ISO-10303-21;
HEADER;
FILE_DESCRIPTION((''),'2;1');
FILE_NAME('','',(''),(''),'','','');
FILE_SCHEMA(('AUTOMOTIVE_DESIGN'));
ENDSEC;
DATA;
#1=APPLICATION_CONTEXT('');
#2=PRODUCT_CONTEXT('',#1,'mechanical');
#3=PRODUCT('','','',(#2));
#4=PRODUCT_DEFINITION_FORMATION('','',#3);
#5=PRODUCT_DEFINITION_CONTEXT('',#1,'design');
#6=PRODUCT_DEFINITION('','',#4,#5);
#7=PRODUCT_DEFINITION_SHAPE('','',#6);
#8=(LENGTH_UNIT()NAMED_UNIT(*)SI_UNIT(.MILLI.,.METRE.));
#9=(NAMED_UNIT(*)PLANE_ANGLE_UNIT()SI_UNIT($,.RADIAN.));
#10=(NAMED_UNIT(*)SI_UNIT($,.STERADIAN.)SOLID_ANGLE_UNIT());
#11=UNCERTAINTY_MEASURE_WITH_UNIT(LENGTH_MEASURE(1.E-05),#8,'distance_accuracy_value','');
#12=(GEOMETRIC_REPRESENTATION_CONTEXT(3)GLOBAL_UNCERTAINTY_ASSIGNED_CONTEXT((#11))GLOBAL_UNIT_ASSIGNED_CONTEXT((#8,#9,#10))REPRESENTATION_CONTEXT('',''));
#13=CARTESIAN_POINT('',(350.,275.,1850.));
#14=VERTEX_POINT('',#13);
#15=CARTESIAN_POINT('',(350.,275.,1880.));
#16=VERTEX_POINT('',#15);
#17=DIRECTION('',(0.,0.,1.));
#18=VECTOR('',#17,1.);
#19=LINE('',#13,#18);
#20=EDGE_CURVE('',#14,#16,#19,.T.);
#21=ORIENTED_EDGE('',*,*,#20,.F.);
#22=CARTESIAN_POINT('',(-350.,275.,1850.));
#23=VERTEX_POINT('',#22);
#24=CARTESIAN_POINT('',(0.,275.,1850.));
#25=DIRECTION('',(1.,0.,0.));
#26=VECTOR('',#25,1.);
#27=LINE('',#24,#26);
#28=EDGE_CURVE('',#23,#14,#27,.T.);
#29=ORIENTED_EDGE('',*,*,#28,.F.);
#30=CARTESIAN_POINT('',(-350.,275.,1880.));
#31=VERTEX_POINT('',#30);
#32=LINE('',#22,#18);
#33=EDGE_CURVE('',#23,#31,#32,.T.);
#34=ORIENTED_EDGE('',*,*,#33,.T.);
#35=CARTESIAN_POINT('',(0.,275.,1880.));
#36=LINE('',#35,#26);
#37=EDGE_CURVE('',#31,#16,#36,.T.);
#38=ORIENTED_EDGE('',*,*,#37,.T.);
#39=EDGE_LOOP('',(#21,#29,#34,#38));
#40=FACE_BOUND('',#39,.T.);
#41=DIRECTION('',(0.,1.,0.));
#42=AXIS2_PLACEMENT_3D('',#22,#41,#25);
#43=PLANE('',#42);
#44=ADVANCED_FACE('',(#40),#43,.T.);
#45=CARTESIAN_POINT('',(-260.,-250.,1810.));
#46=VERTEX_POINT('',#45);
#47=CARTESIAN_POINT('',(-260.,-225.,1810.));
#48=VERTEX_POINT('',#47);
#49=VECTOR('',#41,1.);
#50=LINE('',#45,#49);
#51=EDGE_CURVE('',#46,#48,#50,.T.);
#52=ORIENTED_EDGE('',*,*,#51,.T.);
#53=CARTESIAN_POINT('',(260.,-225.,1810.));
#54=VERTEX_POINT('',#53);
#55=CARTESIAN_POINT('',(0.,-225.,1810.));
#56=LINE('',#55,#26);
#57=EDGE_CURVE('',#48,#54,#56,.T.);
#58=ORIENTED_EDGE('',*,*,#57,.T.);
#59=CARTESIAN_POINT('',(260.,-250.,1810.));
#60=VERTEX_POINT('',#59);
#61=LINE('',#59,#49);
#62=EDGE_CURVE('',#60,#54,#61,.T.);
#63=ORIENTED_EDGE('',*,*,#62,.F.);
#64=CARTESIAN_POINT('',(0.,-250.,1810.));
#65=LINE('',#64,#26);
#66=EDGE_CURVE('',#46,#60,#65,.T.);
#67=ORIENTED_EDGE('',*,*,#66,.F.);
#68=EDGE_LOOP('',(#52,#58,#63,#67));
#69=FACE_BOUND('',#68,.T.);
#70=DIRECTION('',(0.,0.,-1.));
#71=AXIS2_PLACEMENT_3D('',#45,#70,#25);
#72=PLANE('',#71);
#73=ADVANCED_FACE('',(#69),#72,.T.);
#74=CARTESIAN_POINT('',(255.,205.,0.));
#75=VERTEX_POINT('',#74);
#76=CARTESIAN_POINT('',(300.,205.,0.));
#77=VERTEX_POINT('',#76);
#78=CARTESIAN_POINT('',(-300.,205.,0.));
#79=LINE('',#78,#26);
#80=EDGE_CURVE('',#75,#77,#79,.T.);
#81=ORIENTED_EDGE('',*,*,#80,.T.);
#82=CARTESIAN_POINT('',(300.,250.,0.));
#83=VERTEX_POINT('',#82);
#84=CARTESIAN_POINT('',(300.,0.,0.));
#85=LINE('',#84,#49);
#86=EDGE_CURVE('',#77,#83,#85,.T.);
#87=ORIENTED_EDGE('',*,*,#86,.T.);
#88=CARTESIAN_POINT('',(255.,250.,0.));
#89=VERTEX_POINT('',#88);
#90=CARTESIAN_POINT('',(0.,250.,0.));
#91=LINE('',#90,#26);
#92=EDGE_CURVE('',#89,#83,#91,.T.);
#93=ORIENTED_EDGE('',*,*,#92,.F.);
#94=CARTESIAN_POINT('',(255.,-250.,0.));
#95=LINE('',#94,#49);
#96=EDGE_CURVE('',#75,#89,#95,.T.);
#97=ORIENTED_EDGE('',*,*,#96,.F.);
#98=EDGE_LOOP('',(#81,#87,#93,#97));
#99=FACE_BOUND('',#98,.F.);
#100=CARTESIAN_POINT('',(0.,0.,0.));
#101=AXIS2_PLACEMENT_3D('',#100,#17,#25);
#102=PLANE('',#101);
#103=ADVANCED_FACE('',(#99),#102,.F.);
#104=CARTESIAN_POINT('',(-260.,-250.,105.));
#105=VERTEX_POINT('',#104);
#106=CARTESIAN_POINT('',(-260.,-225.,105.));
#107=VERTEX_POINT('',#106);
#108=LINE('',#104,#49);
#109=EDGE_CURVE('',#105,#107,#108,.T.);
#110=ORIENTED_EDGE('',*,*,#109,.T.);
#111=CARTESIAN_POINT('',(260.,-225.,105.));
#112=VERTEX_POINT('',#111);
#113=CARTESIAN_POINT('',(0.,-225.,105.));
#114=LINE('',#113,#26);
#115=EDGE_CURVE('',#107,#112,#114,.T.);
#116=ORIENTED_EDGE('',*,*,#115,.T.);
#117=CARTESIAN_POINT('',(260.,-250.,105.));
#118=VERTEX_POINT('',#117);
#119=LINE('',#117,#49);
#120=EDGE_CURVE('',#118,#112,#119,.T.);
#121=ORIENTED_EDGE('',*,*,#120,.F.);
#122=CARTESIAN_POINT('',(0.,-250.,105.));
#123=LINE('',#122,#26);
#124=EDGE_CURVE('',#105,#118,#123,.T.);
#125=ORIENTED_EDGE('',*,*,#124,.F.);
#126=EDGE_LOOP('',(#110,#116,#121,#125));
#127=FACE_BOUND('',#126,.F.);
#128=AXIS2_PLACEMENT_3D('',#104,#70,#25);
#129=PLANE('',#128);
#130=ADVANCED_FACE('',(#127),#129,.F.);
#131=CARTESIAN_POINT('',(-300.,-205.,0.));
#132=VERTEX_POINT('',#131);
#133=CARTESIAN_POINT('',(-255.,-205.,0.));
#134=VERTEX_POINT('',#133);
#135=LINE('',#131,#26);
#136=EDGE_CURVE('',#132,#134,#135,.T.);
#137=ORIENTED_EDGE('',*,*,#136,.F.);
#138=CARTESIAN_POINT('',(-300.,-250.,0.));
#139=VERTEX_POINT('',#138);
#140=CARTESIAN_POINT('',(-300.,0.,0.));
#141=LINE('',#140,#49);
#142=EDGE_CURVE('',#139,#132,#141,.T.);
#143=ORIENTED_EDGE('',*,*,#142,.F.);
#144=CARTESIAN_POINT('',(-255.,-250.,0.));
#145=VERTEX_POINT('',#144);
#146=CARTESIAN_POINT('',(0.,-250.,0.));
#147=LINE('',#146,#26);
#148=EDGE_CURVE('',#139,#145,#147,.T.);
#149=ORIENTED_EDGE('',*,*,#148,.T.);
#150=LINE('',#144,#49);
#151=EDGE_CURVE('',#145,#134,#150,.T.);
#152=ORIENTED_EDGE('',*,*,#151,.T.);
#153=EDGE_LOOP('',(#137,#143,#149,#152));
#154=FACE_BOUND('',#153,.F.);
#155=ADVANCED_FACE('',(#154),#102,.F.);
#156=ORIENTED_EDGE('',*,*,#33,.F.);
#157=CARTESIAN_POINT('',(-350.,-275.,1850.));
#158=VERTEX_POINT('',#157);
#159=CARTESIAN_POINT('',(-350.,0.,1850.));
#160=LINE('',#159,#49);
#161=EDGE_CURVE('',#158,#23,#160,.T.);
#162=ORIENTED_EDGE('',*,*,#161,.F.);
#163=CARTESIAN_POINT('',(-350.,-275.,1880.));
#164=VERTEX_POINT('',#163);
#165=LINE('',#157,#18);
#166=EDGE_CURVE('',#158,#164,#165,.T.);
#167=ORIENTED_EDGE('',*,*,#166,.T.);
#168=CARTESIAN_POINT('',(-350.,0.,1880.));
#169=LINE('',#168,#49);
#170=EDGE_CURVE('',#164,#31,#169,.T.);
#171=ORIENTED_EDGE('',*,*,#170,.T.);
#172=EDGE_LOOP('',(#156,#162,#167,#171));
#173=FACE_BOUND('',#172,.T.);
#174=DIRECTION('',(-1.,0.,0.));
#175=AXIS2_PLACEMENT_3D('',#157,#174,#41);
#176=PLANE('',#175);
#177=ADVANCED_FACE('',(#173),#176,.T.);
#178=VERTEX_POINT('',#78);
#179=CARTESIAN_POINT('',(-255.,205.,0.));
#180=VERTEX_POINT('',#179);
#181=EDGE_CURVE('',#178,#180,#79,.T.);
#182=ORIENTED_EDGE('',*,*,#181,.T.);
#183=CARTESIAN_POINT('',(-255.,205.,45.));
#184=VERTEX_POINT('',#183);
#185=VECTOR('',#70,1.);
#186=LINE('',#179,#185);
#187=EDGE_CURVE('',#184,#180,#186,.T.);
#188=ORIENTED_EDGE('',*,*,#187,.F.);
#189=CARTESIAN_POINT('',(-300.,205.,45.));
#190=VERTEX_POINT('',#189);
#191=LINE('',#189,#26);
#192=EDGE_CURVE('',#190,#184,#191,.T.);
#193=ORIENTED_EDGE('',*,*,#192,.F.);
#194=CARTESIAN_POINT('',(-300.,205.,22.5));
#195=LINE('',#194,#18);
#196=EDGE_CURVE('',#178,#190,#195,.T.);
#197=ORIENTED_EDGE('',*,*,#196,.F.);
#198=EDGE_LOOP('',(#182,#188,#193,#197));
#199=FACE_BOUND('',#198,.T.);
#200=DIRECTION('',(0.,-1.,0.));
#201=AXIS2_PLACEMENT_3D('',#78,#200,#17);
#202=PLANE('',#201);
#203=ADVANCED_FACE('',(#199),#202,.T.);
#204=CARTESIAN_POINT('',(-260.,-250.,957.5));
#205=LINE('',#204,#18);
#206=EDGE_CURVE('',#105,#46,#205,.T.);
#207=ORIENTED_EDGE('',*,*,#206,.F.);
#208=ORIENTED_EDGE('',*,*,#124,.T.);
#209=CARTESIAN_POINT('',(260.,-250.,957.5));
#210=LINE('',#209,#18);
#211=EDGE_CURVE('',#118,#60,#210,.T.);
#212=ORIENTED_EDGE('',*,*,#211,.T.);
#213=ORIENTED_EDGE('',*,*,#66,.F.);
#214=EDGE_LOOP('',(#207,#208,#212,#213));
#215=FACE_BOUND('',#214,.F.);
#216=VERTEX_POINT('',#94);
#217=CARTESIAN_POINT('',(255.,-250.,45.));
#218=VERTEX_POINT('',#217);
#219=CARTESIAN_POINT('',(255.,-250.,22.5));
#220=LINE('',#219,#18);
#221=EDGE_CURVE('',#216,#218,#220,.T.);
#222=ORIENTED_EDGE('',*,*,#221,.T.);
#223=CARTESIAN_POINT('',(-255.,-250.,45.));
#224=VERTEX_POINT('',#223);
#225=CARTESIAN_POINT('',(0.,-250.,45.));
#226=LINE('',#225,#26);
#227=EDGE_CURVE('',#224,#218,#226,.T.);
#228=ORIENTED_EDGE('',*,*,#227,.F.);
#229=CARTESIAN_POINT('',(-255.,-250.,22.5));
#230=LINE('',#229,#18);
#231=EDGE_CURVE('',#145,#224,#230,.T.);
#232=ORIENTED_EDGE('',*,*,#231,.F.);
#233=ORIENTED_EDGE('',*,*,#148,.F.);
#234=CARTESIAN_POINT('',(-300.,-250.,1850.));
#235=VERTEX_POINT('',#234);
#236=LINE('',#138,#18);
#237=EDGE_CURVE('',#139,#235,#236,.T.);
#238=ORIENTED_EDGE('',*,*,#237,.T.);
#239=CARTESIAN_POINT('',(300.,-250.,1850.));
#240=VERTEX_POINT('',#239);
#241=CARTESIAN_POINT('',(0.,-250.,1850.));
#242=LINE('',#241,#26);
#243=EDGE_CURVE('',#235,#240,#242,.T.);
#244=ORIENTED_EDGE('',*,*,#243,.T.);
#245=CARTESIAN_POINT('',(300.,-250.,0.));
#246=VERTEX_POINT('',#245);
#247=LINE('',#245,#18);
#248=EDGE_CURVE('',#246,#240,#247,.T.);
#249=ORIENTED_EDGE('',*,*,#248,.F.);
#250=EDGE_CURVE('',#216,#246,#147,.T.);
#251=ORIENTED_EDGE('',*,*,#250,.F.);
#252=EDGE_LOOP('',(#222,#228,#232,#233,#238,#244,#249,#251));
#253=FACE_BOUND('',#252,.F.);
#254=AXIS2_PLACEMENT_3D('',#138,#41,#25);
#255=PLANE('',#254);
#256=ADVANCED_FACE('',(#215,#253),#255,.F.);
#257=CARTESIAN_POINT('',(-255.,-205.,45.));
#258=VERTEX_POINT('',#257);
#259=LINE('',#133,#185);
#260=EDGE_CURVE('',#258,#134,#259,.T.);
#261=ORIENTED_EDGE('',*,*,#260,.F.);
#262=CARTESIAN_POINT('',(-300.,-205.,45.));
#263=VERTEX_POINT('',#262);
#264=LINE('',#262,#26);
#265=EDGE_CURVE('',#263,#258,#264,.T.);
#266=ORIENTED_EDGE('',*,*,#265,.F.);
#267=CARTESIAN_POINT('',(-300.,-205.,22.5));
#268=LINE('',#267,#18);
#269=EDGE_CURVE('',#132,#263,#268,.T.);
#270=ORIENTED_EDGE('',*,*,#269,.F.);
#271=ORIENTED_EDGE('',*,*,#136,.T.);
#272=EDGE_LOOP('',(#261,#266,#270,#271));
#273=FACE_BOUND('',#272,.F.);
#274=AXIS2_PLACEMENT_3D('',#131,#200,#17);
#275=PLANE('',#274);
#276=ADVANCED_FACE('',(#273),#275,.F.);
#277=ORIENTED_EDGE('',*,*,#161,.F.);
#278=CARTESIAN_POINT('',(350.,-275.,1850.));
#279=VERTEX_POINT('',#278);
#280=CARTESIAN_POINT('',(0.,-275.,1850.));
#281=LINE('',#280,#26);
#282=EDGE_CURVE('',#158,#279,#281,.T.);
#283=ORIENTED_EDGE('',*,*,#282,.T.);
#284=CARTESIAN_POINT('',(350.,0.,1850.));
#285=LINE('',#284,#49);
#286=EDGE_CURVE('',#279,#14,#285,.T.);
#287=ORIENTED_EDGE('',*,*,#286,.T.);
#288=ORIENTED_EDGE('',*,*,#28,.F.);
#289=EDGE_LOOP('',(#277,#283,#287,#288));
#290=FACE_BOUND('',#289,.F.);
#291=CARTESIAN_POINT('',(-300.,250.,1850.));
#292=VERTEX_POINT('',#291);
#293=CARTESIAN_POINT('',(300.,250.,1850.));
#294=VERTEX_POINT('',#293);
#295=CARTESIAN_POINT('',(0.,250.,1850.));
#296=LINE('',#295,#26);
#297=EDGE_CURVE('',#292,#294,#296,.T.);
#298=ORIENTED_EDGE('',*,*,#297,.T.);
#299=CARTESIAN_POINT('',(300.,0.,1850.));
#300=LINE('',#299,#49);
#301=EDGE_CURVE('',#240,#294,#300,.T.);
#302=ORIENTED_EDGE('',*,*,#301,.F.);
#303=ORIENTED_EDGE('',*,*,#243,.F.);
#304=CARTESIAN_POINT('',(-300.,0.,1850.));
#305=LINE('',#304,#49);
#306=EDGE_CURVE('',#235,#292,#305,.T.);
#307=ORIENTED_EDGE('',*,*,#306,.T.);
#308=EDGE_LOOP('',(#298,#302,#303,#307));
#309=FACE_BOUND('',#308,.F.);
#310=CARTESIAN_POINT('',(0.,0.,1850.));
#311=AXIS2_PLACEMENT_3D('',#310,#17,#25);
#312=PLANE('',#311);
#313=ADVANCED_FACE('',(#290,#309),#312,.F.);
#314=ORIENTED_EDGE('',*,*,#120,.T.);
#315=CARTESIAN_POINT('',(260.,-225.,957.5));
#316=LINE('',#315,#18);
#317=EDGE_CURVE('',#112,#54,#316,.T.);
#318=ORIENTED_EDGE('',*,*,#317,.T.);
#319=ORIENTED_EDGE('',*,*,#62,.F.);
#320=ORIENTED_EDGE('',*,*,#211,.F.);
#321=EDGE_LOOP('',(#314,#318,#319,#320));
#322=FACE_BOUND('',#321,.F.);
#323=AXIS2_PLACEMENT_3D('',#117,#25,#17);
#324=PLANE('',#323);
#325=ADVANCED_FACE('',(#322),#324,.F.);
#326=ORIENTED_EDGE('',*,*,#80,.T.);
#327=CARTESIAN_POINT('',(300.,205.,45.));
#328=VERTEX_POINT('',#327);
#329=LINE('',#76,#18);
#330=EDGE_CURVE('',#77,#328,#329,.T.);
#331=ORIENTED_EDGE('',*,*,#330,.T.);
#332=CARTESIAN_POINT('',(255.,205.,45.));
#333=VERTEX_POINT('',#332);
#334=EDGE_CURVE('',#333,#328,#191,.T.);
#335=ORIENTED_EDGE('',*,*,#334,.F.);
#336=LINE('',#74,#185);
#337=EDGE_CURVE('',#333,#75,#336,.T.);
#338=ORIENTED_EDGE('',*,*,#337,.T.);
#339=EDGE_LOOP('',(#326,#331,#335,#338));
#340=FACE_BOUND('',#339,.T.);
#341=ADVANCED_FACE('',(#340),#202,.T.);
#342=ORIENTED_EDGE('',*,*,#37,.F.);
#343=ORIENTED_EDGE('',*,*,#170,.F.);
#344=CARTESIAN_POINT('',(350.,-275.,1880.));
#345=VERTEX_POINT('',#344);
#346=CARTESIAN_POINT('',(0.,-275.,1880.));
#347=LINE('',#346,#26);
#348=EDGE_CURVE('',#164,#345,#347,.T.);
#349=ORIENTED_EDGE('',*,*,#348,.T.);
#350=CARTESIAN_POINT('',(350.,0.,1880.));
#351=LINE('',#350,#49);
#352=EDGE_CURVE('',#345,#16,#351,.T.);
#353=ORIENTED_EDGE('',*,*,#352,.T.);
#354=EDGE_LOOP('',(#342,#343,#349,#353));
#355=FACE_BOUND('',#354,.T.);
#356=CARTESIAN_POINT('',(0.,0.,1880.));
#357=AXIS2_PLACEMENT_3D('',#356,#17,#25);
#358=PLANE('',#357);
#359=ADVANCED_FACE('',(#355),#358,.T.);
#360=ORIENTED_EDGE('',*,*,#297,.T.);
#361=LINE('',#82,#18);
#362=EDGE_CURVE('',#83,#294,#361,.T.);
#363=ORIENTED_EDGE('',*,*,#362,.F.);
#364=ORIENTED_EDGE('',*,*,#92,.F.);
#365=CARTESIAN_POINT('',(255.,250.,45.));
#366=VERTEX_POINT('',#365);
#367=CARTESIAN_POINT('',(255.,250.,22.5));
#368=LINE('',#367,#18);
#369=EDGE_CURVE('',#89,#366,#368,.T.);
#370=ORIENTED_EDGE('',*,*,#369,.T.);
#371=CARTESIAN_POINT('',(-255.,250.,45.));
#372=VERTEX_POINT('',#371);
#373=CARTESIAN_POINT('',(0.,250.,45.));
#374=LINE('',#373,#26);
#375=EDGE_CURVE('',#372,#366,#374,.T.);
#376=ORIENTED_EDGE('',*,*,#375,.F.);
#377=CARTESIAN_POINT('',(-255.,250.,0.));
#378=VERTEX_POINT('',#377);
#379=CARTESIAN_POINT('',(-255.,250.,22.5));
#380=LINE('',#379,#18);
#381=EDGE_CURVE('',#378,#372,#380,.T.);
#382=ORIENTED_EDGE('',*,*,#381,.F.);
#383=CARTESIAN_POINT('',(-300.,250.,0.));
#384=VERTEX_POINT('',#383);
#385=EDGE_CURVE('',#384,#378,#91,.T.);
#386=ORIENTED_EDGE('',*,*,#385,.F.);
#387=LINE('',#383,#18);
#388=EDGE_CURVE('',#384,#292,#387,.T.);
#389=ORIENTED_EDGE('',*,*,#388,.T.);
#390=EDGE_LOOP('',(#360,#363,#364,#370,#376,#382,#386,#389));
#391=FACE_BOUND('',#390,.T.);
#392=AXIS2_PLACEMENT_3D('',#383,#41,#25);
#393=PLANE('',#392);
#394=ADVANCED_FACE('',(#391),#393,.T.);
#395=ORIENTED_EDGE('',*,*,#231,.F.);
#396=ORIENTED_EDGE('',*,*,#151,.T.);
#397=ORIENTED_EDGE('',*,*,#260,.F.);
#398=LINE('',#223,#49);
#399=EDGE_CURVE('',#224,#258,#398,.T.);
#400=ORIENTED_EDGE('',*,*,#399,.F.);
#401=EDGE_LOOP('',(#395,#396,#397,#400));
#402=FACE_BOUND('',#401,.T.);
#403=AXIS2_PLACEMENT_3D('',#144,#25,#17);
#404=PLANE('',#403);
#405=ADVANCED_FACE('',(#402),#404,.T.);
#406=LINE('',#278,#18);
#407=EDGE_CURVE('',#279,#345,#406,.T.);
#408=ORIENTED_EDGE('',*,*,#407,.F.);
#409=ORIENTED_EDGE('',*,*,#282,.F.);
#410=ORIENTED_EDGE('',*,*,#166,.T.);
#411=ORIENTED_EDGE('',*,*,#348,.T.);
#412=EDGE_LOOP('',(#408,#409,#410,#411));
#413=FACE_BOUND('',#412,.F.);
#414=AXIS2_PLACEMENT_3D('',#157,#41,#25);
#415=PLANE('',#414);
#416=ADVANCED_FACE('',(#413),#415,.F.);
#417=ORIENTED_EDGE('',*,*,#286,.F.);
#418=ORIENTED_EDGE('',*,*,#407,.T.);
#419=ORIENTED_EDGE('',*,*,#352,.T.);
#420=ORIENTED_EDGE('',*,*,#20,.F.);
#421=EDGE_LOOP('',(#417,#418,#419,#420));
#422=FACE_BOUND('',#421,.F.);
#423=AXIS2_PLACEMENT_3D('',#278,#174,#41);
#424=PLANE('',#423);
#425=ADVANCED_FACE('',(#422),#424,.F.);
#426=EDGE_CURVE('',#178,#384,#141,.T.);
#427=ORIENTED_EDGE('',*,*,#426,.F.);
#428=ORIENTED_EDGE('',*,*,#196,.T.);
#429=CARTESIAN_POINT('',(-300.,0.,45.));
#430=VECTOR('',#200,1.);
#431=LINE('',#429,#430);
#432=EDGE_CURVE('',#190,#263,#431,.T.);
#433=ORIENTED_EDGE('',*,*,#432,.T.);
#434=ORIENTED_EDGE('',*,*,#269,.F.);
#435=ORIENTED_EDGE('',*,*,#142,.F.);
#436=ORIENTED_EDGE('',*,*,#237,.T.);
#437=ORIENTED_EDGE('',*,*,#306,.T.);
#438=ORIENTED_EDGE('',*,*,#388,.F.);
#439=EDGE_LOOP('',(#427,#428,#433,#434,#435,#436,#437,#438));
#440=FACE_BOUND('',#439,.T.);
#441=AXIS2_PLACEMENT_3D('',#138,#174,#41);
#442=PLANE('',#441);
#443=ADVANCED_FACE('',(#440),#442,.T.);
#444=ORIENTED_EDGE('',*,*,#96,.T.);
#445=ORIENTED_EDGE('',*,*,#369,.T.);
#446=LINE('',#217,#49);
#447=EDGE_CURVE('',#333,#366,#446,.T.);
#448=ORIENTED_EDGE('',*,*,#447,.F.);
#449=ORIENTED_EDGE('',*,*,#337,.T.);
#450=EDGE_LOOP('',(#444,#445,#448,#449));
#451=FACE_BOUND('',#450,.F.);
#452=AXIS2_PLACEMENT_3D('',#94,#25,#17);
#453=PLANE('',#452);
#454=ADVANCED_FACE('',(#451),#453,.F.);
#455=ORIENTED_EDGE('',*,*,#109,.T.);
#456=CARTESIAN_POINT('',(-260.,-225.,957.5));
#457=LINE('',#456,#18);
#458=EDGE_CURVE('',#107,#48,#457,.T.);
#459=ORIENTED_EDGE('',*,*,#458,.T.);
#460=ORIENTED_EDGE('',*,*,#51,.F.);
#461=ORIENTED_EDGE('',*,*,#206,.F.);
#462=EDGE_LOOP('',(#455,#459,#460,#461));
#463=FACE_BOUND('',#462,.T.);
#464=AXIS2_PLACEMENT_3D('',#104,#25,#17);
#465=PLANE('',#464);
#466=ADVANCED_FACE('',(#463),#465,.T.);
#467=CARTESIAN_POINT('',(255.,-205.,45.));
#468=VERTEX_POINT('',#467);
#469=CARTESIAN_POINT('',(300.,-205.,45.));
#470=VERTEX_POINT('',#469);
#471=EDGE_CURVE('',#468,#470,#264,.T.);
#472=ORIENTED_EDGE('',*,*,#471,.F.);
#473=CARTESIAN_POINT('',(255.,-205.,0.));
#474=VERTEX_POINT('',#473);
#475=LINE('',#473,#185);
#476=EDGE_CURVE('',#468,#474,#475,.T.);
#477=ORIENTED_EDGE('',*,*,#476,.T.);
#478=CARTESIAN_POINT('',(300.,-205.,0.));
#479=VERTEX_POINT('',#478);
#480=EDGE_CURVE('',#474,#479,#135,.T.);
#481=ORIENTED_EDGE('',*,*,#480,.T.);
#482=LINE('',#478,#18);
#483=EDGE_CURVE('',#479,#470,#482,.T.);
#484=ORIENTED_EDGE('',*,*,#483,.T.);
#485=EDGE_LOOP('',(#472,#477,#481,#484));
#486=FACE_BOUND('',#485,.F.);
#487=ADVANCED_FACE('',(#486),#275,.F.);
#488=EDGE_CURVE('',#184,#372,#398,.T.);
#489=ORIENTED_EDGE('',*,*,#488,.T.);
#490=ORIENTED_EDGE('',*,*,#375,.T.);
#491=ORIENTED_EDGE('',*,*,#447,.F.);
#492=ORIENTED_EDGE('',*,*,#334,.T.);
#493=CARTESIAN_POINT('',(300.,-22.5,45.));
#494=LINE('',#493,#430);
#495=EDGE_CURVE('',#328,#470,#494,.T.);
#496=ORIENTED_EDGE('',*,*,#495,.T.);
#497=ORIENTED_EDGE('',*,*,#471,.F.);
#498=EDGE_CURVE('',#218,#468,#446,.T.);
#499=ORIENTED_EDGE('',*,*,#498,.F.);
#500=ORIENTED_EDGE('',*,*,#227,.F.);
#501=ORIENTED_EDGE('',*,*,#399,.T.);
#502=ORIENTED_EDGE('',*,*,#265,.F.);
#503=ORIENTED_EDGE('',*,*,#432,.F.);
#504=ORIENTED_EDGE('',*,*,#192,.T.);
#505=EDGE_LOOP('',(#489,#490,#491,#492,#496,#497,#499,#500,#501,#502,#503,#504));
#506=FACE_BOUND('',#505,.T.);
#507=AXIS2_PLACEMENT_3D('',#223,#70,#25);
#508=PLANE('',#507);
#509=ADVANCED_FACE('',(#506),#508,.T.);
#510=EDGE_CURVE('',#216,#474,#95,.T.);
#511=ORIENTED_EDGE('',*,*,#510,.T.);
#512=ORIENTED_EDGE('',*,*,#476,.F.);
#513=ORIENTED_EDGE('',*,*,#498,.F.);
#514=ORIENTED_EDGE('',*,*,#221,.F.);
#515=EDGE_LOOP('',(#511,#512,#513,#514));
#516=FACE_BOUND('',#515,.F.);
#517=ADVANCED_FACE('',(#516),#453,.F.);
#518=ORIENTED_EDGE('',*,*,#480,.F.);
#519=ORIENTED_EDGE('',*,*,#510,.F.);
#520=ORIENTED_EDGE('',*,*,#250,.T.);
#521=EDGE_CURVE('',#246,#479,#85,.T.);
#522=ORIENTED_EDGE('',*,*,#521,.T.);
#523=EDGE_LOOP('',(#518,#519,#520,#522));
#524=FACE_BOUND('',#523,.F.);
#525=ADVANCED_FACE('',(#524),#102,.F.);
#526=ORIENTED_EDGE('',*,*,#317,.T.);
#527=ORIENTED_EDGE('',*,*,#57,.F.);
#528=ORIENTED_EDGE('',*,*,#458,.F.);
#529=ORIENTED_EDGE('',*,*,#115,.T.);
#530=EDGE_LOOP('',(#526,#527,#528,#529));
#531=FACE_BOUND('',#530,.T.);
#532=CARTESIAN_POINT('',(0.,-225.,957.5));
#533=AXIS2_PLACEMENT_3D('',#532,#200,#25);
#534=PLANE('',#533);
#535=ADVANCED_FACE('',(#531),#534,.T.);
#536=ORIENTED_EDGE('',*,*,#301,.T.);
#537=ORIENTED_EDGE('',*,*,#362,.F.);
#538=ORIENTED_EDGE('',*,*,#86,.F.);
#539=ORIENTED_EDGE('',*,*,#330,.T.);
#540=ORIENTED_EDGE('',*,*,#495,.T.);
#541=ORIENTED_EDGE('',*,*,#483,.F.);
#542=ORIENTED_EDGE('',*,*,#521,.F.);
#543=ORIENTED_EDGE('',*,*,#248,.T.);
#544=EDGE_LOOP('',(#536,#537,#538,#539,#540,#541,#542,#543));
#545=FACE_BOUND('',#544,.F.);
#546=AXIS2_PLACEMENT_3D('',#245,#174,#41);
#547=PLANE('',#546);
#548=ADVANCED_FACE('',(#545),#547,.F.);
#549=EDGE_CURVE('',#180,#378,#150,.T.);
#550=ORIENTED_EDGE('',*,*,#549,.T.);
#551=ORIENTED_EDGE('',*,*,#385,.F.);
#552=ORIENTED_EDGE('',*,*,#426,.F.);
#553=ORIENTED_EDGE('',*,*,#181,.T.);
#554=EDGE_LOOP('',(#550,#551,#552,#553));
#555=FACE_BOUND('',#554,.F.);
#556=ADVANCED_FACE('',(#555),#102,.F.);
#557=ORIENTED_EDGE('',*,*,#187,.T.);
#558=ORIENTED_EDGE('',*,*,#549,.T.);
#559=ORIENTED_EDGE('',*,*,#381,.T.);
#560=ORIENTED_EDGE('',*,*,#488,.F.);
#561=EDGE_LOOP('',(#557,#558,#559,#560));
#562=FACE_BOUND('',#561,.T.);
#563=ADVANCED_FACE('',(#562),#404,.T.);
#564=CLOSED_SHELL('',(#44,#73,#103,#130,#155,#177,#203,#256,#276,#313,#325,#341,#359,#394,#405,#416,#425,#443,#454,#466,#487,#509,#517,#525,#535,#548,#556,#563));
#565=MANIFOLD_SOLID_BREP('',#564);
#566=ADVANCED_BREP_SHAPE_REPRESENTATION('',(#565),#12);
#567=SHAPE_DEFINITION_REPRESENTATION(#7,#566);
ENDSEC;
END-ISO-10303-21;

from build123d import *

# Parameters (mm, degrees)
F0_W     = 600
F0_H     = 500
F1_DEPTH = 1850
F2_W     = 700
F2_H     = 550
F3_DEPTH = 30
F4_W     = 510
F4_H     = 45
F5_DEPTH = 500
F6_W     = 410
F6_H     = 45
F7_DEPTH = 650.001
F8_W     = 520
F8_H     = 1705
F9_DEPTH = 25


with BuildPart() as f1:
    # F0 (on Top) → F1 (new body)
    with BuildSketch(Plane.XY):
        Rectangle(F0_W, F0_H)
    extrude(amount=F1_DEPTH)

    # F2 (on face) → F3 (join)
    with BuildSketch(Plane.XY.offset(1850)):
        Rectangle(F2_W, F2_H)
    extrude(amount=F3_DEPTH)

    # F4 (on face) → F5 (cut, through all)
    with BuildSketch(Plane.XZ.offset(250)):
        with Locations((0, 22.5)):
            Rectangle(F4_W, F4_H)
    extrude(amount=-F5_DEPTH, mode=Mode.SUBTRACT)

    # F6 (on face) → F7 (cut, through all)
    with BuildSketch(Plane(origin=(-300, 0, 0), x_dir=(0, -1, 0), z_dir=(-1, 0, 0))):
        with Locations((0, 22.5)):
            Rectangle(F6_W, F6_H)
    extrude(amount=-F7_DEPTH, mode=Mode.SUBTRACT)

    # F8 (on face) → F9 (cut)
    with BuildSketch(Plane.XZ.offset(250)):
        with Locations((0, 957.5)):
            Rectangle(F8_W, F8_H)
    extrude(amount=-F9_DEPTH, mode=Mode.SUBTRACT)


solid = f1.part
